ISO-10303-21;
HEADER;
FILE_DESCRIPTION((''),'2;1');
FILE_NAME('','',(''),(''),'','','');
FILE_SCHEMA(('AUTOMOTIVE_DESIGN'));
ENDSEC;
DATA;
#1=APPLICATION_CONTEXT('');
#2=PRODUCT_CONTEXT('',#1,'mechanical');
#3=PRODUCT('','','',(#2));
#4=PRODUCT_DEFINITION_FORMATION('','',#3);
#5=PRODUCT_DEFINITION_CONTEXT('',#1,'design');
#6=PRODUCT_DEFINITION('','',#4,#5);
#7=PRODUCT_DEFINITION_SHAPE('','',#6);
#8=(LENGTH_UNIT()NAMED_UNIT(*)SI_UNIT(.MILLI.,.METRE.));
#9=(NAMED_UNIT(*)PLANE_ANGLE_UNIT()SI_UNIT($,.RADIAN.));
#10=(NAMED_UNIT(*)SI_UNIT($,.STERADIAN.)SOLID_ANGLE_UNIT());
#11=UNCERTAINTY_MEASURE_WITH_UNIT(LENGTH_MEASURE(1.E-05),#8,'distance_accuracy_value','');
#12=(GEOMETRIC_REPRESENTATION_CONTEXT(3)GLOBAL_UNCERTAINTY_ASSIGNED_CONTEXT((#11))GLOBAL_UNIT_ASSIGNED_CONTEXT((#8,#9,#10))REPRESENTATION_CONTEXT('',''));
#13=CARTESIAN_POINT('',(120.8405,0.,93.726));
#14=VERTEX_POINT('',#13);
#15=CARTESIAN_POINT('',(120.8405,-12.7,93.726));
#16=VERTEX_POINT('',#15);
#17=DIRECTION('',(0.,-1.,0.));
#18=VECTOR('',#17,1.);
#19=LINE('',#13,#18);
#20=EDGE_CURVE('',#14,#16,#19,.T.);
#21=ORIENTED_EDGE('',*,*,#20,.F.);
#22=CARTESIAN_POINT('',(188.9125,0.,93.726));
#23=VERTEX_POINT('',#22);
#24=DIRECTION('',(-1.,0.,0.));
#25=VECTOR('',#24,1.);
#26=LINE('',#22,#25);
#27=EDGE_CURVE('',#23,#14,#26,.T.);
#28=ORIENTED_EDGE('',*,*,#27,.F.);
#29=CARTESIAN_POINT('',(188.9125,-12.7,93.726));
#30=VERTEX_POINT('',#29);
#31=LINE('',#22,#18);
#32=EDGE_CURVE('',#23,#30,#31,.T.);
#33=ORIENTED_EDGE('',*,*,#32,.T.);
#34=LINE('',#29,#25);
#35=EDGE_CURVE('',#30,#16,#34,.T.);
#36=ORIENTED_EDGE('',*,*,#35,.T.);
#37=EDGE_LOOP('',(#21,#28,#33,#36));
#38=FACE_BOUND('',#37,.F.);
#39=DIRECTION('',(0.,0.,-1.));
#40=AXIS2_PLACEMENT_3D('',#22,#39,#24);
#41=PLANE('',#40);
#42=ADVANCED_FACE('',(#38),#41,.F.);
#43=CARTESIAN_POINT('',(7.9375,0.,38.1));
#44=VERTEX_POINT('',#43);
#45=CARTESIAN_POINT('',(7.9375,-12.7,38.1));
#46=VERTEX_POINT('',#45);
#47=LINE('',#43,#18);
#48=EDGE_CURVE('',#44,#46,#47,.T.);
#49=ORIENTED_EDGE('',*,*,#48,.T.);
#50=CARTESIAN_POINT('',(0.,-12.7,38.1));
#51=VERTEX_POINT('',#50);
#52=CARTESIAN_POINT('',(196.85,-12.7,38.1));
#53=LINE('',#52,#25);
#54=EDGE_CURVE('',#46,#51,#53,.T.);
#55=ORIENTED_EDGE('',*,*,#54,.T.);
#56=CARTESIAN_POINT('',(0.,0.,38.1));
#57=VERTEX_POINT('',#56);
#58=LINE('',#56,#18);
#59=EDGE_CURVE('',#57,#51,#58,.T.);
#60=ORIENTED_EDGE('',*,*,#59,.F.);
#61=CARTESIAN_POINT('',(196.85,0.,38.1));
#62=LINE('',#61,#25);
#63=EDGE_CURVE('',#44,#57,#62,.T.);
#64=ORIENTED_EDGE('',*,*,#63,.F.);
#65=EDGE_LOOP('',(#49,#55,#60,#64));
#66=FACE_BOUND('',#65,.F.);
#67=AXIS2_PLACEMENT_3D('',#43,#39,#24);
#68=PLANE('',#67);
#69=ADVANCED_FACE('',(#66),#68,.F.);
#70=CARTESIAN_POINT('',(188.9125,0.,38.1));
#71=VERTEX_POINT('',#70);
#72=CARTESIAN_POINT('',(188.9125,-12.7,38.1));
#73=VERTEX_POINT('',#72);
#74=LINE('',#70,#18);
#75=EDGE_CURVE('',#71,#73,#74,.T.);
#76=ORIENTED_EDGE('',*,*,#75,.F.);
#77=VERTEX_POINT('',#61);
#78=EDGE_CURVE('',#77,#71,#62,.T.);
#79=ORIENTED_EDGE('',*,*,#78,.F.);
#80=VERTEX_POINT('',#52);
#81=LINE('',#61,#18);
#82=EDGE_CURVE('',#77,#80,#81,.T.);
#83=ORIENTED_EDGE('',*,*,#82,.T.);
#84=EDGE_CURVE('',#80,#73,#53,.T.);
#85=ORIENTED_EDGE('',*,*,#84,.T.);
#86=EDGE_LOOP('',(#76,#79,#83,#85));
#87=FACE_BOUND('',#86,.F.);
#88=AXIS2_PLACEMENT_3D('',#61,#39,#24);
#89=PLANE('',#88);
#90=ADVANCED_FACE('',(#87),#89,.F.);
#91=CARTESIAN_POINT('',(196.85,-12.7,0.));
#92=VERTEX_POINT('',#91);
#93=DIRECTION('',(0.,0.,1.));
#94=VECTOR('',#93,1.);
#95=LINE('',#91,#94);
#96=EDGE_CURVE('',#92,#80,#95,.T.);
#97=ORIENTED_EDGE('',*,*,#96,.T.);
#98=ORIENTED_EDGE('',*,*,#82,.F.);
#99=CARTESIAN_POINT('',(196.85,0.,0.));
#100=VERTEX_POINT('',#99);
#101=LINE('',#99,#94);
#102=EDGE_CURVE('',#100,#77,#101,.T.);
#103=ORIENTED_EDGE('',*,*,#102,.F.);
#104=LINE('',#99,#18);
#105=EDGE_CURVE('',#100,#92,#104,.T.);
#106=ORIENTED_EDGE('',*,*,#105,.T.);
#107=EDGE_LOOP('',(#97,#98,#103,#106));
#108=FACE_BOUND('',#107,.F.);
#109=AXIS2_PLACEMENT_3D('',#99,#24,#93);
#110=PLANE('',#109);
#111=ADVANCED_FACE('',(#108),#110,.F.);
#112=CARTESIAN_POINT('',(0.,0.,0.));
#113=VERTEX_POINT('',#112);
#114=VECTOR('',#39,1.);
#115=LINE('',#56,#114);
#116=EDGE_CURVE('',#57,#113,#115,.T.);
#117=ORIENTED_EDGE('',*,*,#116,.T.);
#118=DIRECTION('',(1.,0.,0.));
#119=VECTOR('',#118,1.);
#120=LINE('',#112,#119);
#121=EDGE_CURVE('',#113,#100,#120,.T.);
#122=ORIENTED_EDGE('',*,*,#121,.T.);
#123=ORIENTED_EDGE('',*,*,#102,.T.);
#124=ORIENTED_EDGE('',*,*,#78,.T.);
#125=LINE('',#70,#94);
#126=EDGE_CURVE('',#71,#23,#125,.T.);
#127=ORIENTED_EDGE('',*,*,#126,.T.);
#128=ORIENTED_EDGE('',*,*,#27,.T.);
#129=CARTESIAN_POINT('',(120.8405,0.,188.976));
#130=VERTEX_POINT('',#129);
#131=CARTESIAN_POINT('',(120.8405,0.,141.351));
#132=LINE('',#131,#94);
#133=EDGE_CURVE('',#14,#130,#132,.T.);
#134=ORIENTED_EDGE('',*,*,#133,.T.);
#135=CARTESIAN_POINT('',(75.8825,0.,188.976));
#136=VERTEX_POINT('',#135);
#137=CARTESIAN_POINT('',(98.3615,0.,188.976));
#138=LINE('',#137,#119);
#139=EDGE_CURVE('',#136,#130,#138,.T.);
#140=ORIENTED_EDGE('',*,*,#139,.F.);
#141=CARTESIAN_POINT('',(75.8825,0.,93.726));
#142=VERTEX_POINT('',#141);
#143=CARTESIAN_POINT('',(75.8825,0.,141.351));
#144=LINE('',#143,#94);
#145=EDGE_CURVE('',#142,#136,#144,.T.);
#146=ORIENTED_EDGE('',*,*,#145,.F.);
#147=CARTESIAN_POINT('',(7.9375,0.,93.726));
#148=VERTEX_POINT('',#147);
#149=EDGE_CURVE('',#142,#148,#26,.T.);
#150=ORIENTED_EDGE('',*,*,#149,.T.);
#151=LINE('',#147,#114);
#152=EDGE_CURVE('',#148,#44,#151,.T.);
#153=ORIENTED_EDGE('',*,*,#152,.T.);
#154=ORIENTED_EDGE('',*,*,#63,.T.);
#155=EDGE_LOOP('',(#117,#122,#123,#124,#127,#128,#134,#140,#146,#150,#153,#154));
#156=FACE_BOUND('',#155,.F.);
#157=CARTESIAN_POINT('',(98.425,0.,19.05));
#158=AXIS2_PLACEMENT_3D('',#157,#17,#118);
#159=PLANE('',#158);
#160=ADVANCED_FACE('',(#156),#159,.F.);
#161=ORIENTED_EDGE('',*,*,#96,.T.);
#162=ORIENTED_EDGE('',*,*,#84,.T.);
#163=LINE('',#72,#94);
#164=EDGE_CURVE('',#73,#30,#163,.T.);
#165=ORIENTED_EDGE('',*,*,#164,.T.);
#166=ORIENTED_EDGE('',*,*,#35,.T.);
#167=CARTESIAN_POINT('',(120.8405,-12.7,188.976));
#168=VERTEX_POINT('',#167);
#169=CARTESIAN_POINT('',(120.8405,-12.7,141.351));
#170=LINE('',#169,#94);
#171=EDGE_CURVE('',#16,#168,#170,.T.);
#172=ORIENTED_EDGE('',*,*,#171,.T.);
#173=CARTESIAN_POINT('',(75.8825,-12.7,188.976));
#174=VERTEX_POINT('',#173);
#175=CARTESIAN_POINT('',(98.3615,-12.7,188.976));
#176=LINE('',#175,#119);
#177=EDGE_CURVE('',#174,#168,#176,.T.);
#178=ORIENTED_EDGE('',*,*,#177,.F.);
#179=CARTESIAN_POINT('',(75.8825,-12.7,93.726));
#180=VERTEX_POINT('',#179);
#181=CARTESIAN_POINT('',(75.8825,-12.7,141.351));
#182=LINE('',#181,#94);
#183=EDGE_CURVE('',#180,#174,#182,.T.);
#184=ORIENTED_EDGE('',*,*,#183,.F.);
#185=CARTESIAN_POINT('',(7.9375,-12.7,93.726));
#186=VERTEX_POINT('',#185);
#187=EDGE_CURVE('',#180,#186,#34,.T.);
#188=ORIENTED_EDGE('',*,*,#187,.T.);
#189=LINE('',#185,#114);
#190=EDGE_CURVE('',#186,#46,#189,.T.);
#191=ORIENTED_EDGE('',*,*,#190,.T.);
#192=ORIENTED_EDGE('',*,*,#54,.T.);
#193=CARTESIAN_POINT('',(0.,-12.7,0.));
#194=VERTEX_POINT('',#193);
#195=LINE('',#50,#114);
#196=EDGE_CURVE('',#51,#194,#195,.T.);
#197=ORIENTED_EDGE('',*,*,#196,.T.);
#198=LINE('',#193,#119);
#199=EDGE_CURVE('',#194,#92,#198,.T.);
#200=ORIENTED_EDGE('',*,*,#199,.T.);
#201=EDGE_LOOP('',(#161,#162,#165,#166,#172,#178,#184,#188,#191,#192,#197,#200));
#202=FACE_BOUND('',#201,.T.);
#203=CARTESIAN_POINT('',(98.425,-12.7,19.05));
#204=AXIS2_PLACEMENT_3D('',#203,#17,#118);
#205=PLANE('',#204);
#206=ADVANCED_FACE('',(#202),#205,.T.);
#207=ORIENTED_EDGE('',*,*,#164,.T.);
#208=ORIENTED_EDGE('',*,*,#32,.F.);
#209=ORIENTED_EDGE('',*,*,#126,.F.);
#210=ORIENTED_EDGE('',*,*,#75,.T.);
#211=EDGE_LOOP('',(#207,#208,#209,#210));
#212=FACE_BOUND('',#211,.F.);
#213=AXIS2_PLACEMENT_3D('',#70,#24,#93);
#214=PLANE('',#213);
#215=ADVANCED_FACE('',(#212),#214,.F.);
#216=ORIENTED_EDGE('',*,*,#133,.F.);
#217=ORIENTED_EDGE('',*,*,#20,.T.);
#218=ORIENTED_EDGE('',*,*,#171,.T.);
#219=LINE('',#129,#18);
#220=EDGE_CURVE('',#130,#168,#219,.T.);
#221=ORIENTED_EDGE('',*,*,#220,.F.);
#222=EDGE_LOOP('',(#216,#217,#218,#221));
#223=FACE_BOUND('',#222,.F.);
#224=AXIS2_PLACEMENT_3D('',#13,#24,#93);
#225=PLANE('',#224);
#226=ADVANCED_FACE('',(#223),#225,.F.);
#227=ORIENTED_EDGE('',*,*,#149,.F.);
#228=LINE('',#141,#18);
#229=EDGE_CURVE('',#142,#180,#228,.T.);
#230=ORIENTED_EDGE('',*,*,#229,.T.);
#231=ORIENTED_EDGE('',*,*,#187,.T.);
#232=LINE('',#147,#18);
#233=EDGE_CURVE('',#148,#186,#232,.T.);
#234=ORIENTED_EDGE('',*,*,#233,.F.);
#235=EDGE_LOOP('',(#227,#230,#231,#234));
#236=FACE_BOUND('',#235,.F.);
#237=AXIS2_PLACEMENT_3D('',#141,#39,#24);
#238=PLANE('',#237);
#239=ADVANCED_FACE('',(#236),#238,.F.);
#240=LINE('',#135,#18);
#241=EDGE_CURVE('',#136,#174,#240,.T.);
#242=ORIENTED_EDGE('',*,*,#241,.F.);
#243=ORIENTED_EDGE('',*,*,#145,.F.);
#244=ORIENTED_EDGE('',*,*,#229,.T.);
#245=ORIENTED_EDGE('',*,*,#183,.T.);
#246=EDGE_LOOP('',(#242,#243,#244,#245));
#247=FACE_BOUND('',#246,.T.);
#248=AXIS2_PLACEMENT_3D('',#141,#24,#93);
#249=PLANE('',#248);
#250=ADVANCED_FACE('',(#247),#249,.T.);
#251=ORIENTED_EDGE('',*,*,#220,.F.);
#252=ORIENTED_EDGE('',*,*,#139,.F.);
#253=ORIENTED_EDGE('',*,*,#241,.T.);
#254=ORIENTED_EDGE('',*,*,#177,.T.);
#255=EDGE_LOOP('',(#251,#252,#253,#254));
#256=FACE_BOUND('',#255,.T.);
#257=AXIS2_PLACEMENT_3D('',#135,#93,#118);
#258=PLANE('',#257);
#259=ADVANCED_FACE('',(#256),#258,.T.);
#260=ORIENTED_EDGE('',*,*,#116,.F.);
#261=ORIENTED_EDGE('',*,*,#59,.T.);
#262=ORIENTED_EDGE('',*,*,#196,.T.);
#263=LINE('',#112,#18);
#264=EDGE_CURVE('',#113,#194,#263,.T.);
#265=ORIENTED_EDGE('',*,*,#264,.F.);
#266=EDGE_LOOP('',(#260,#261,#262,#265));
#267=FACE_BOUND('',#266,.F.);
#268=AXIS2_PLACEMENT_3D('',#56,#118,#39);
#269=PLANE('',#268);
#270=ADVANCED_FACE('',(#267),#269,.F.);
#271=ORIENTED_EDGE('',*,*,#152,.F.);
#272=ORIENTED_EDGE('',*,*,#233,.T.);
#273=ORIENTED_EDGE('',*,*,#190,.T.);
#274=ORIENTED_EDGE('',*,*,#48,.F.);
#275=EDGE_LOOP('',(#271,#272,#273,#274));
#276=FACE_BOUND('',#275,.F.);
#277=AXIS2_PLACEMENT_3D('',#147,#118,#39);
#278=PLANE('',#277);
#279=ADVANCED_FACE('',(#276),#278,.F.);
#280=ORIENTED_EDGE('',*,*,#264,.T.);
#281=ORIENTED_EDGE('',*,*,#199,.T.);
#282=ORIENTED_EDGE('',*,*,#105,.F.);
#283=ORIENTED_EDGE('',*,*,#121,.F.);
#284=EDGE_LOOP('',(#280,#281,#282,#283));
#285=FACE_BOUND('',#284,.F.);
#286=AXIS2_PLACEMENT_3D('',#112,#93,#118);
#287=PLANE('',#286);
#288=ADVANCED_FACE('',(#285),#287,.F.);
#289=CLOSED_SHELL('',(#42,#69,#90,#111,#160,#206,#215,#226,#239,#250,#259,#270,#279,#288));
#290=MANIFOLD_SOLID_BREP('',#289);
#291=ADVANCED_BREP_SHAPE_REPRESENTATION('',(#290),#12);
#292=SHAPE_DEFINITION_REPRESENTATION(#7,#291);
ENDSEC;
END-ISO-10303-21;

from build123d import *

# Parameters (mm, degrees)
F0_W     = 44.958
F0_H     = 95.25
F1_DEPTH = 12.7


with BuildPart() as f1:
    # F0 (on Front) → F1 (new body)
    with BuildSketch(Plane.XZ):
        Polygon((0, 38.1), (0, 0), (196.85, 0), (196.85, 38.1), (188.9125, 38.1), (7.9375, 38.1), align=None)
        Polygon((7.9375, 93.726), (7.9375, 38.1), (188.9125, 38.1), (188.9125, 93.726), (120.8405, 93.726), (75.8825, 93.726), align=None)
        with Locations((98.3615, 141.351)):
            Rectangle(F0_W, F0_H)
    extrude(amount=F1_DEPTH)


solid = f1.part
